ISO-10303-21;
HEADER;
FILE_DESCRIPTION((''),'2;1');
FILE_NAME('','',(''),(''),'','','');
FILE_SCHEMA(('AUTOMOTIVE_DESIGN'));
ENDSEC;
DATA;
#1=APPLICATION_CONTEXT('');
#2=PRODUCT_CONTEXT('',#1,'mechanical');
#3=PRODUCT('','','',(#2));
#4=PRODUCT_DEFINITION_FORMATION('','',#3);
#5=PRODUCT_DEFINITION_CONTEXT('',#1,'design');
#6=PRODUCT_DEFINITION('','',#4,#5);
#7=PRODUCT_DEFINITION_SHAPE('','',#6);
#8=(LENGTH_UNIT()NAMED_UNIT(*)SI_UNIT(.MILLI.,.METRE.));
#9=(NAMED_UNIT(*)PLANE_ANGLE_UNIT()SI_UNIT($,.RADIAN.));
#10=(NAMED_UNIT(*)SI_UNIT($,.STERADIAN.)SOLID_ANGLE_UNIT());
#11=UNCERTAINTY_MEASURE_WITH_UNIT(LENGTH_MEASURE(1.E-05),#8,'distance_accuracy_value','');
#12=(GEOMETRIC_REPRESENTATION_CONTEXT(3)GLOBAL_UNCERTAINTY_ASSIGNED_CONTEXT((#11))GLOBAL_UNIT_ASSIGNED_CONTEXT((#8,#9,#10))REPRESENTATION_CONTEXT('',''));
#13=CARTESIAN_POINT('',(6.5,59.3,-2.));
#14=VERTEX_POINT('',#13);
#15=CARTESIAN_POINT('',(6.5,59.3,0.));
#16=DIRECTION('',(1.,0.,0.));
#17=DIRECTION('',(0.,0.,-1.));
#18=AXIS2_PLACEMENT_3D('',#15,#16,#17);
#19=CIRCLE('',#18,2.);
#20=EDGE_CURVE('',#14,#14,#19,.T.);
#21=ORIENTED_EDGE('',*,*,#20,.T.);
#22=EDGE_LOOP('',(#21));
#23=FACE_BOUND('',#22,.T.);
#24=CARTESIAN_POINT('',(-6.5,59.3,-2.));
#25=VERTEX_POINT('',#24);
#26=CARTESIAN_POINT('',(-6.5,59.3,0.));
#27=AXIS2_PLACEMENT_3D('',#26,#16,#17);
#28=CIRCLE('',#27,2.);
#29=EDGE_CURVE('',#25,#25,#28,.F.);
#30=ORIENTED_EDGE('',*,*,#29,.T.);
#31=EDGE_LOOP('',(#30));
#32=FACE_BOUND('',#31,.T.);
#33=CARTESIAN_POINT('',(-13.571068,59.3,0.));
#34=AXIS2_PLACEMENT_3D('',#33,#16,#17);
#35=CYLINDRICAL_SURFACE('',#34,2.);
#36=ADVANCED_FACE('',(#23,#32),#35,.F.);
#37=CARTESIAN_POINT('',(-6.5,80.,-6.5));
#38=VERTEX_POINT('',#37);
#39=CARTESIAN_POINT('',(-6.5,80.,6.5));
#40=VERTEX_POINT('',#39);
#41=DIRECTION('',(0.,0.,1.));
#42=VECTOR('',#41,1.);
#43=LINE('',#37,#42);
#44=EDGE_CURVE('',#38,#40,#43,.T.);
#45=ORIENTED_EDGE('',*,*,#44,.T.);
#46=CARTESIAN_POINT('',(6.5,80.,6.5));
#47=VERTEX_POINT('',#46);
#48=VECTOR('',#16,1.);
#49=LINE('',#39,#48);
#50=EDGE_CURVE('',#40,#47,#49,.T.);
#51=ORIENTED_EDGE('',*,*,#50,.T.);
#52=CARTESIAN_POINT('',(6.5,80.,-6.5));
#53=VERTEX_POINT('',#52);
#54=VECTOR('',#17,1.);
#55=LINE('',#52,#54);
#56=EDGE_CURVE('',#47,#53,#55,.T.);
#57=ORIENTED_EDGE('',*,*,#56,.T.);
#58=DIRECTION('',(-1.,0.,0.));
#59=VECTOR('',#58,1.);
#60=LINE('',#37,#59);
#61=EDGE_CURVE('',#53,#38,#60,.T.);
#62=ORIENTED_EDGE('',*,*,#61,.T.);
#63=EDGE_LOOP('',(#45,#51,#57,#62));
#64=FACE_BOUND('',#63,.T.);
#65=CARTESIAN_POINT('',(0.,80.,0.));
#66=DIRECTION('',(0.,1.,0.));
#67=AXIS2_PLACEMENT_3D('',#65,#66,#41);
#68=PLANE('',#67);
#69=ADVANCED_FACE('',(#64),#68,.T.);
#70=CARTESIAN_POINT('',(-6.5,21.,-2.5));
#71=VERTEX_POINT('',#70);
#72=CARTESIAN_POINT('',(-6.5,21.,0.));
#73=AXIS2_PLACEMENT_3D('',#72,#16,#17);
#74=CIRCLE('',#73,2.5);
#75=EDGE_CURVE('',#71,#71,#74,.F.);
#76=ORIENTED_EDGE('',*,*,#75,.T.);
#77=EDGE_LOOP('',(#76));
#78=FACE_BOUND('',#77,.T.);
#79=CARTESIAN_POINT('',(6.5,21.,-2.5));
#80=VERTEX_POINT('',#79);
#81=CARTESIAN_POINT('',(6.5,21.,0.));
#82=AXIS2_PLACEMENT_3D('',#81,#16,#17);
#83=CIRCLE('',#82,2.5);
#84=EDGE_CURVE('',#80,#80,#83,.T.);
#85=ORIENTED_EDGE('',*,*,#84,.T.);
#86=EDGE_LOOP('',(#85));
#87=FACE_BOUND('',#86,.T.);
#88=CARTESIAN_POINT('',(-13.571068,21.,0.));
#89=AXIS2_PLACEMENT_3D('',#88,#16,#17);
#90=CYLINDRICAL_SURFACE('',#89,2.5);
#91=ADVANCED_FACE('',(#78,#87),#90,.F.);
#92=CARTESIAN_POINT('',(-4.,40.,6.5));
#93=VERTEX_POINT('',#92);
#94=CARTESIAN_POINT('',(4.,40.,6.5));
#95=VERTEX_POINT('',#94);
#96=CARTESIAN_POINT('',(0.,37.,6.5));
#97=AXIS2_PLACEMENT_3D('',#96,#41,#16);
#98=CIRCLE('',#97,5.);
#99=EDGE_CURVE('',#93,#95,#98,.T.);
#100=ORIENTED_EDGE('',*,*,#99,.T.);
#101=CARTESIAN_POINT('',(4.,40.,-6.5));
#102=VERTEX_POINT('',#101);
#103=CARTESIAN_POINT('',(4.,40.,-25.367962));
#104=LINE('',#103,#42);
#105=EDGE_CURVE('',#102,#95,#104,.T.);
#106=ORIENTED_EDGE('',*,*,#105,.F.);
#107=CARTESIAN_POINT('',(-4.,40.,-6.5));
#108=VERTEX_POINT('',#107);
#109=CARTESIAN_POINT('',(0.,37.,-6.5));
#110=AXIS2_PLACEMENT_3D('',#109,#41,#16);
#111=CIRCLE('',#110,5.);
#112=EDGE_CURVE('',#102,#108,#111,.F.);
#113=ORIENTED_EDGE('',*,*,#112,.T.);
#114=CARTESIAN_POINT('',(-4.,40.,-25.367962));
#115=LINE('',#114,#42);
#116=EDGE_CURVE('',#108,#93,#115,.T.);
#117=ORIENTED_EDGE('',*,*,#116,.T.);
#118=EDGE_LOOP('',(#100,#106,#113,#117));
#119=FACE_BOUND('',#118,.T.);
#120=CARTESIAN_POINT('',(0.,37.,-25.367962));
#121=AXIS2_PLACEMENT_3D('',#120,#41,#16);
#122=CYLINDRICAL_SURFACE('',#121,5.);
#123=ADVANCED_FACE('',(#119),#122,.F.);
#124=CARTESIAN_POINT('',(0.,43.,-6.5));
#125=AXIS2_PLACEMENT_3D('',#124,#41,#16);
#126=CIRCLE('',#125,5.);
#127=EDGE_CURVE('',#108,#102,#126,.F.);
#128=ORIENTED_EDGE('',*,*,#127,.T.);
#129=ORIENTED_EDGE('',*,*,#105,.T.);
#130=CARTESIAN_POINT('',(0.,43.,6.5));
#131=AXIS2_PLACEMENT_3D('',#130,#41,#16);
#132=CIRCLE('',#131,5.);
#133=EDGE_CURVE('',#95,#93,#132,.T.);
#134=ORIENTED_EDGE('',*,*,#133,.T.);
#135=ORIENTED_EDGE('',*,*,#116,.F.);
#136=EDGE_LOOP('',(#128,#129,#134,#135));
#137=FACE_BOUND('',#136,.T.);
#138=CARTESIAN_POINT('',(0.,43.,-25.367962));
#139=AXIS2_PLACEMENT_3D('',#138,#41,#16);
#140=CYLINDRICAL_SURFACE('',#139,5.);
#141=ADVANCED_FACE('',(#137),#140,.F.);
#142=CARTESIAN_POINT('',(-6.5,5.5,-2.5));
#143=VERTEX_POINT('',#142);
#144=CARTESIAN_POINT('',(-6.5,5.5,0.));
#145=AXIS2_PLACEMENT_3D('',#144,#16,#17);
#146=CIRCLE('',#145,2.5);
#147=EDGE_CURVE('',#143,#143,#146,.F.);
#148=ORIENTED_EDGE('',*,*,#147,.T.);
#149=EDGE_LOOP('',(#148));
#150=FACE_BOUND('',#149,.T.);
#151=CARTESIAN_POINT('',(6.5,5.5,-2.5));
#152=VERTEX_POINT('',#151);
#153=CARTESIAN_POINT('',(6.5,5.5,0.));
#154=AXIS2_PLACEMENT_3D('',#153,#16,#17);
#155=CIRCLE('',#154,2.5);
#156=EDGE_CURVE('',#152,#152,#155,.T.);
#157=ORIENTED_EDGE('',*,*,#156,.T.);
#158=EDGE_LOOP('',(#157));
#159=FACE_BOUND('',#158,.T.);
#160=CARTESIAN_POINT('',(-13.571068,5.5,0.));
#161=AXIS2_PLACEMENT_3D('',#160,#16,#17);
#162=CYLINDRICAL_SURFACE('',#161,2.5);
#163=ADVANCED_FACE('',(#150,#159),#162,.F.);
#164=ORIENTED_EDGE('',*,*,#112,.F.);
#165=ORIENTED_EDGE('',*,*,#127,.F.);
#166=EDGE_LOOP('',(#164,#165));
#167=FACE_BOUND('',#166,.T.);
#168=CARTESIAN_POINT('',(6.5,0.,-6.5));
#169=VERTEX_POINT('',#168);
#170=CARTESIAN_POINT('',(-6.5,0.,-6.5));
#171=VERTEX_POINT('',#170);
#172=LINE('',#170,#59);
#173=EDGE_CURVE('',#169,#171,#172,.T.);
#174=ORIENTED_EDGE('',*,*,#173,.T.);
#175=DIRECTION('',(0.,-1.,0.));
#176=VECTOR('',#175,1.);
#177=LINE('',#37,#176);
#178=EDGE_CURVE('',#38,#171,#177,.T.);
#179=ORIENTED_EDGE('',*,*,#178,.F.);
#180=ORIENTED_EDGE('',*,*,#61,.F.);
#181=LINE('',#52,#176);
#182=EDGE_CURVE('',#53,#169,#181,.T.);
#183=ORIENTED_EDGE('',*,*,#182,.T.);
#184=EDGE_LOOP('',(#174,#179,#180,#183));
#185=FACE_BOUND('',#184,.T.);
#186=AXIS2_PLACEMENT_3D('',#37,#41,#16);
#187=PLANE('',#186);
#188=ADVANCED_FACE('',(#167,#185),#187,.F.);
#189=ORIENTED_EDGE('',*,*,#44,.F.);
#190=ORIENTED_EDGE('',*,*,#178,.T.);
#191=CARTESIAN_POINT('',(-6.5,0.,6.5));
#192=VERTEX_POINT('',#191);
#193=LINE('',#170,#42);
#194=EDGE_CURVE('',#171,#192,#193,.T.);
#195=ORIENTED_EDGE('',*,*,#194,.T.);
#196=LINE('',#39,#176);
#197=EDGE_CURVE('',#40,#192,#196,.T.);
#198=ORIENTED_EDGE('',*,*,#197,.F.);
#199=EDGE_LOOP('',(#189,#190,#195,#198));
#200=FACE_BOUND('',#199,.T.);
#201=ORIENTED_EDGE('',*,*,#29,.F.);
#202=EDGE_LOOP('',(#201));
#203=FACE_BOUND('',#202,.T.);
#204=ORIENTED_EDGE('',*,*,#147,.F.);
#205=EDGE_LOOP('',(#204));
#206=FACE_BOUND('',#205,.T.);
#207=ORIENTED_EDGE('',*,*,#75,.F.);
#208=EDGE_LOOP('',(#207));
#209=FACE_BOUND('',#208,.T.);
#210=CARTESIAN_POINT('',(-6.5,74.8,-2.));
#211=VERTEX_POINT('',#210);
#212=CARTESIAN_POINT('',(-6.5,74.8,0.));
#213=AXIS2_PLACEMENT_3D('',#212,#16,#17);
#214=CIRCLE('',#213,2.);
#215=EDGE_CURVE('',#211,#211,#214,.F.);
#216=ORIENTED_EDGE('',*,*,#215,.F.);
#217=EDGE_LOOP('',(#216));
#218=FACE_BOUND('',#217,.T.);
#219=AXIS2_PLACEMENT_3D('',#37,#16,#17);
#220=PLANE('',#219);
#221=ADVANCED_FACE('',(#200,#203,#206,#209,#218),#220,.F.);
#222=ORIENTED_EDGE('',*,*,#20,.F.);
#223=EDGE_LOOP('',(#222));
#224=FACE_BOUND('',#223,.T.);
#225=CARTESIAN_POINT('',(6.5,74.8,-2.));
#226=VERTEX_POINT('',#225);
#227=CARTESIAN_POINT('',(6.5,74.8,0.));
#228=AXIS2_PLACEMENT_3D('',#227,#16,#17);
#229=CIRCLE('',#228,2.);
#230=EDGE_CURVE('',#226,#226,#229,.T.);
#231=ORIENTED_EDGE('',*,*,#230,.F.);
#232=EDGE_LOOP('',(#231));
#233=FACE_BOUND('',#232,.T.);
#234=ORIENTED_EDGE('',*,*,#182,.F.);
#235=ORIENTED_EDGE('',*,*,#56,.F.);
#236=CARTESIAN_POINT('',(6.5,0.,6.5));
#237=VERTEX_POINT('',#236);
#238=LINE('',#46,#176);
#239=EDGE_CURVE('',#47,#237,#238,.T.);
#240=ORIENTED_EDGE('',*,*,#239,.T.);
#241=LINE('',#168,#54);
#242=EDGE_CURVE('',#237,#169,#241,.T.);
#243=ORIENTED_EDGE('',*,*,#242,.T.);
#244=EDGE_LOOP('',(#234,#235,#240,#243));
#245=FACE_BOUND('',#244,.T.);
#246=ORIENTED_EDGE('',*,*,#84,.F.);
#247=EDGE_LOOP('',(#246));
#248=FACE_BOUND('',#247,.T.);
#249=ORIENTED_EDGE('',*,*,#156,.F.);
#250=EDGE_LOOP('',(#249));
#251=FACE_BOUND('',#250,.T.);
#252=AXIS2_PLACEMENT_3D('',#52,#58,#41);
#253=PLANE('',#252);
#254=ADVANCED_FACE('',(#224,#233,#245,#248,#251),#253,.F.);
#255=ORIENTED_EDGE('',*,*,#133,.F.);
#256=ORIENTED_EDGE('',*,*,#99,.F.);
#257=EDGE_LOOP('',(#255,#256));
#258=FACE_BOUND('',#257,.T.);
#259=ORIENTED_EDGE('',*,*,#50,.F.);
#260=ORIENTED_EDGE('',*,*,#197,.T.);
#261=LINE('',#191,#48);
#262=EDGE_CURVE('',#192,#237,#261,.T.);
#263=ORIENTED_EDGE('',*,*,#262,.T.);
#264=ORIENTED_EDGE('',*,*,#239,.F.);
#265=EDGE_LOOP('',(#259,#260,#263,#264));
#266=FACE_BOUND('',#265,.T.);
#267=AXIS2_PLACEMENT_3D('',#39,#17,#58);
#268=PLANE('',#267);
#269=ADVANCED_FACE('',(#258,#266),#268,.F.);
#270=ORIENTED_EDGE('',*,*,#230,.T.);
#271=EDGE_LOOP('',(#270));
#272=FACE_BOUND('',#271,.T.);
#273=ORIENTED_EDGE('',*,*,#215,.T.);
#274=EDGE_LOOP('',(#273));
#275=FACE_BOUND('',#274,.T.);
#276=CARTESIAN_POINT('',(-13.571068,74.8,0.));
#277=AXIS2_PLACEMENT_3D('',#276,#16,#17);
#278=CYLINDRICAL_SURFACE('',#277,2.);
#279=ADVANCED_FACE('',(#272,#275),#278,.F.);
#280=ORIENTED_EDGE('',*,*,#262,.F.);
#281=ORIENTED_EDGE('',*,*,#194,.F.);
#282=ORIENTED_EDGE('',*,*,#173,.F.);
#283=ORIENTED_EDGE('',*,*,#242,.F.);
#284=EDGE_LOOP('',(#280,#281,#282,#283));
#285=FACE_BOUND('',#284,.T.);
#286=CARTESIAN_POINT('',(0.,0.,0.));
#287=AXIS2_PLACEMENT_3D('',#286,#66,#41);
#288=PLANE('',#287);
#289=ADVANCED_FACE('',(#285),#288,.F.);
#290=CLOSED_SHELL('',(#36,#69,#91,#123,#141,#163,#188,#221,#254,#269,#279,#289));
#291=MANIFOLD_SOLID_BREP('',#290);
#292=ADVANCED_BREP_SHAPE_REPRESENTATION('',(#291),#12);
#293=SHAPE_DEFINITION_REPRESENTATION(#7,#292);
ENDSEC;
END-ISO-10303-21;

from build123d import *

# Parameters (mm, degrees)
SKETCH1_W           = 13
SKETCH1_H           = 13
BOSS_EXTRUDE1_DEPTH = 80
CUT_EXTRUDE1_DEPTH  = 13
SKETCH3_R           = 2
SKETCH3_R_2         = 2.5
CUT_EXTRUDE2_DEPTH  = 13


with BuildPart() as part:
    # Sketch1 → Boss-Extrude1 (new body)
    with BuildSketch(Plane(origin=(0, 0, 0), x_dir=(1, 0, 0), z_dir=(0, 1, 0))):
        Rectangle(SKETCH1_W, SKETCH1_H)
    extrude(amount=BOSS_EXTRUDE1_DEPTH)

    # Sketch2 → Cut-Extrude1 (cut)
    with BuildSketch(Plane.XY.offset(6.5)):
        with BuildLine():
            ThreePointArc((-4, 40), (0, 32), (4, 40))
            ThreePointArc((4, 40), (0, 48), (-4, 40))
        make_face()
    extrude(amount=-CUT_EXTRUDE1_DEPTH, mode=Mode.SUBTRACT)

    # Sketch3 → Cut-Extrude2 (cut)
    with BuildSketch(Plane(origin=(6.5, 0, 0), x_dir=(0, 0, -1), z_dir=(1, 0, 0))):
        with Locations((0, 74.8)):
            Circle(SKETCH3_R)
        with Locations((0, 59.3)):
            Circle(SKETCH3_R)
        with Locations((0, 21)):
            Circle(SKETCH3_R_2)
        with Locations((0, 5.5)):
            Circle(SKETCH3_R_2)
    extrude(amount=-CUT_EXTRUDE2_DEPTH, mode=Mode.SUBTRACT)


solid = part.part
